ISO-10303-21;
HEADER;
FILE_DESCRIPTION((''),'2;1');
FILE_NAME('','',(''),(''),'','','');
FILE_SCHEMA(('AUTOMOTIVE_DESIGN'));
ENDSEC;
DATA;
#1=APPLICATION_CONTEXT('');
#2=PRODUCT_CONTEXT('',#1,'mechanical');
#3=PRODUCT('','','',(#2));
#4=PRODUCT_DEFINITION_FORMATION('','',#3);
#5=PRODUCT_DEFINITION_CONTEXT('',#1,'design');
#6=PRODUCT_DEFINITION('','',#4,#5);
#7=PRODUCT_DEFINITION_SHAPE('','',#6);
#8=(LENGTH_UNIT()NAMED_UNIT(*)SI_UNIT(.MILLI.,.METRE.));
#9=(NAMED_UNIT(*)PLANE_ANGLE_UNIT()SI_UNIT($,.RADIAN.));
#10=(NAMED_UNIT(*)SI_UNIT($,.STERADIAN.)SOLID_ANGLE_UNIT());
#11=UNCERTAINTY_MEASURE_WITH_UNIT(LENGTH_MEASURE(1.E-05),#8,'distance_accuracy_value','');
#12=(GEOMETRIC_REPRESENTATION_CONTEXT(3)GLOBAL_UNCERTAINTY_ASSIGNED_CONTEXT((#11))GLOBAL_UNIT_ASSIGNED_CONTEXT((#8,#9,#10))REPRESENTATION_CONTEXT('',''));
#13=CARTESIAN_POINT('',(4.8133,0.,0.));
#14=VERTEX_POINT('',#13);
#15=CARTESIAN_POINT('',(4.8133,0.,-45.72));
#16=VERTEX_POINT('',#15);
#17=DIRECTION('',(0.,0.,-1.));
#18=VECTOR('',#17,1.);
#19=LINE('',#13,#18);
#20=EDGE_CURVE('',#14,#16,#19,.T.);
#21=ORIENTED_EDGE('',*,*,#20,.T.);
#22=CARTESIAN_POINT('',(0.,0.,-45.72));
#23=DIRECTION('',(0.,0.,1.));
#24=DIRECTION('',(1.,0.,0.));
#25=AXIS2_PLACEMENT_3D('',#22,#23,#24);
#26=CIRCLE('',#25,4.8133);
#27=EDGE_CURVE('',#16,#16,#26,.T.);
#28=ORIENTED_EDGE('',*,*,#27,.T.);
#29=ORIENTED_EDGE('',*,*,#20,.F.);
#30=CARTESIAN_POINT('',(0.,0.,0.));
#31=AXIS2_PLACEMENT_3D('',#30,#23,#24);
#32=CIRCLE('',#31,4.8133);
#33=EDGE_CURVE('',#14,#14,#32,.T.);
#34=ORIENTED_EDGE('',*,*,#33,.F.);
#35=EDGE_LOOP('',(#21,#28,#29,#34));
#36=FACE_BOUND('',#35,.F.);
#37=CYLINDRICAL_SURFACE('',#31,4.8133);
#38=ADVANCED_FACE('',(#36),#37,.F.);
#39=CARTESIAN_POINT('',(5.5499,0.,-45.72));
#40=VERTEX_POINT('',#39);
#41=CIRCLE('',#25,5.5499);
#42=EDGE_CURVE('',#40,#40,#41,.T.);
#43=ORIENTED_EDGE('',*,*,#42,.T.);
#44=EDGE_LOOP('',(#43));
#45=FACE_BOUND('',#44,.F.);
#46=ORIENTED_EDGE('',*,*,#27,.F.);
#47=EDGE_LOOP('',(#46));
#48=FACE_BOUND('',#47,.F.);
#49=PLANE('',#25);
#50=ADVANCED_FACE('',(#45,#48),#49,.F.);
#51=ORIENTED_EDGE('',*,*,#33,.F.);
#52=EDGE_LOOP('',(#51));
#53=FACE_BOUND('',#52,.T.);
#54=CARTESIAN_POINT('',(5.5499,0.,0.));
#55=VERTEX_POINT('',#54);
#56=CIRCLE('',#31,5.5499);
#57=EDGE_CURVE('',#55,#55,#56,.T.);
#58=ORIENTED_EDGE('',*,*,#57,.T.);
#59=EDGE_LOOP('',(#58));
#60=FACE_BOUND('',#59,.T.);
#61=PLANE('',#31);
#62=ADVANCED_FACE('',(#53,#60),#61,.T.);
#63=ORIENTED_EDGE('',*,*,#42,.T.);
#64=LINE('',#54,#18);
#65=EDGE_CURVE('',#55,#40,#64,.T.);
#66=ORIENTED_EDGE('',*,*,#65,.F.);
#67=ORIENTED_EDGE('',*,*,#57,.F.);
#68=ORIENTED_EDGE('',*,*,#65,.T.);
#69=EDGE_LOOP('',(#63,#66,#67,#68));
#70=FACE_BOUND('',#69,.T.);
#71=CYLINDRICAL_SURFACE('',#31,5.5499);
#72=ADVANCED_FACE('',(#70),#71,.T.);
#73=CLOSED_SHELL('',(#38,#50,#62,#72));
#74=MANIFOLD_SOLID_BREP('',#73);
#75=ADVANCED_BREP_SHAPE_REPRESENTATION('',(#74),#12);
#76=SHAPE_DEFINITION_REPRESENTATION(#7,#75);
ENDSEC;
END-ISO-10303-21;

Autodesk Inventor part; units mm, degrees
ref_plane "YZ Plane" through (0, 0, 0) normal (1, 0, 0) x (0, 1, 0)
ref_plane "XZ Plane" through (0, 0, 0) normal (0, 1, 0) x (-1, 0, 0)
ref_plane "XY Plane" through (0, 0, 0) normal (0, 0, 1) x (1, 0, 0)
sketch "Sketch1" plane through (0, 0, 0) normal (0, 0, 1) x (1, 0, 0)
  circle A0 centre (0, 0) radius 4.8133
  circle A1 centre (0, 0) radius 5.5499
  dimension "d0" = 9.6266
  dimension "d2" = 11.0998
extrude "Extrusion1" add sketch "Sketch1" against normal blind 45.72
properties part number "am-2242" material "Brass, Soft Yellow"
